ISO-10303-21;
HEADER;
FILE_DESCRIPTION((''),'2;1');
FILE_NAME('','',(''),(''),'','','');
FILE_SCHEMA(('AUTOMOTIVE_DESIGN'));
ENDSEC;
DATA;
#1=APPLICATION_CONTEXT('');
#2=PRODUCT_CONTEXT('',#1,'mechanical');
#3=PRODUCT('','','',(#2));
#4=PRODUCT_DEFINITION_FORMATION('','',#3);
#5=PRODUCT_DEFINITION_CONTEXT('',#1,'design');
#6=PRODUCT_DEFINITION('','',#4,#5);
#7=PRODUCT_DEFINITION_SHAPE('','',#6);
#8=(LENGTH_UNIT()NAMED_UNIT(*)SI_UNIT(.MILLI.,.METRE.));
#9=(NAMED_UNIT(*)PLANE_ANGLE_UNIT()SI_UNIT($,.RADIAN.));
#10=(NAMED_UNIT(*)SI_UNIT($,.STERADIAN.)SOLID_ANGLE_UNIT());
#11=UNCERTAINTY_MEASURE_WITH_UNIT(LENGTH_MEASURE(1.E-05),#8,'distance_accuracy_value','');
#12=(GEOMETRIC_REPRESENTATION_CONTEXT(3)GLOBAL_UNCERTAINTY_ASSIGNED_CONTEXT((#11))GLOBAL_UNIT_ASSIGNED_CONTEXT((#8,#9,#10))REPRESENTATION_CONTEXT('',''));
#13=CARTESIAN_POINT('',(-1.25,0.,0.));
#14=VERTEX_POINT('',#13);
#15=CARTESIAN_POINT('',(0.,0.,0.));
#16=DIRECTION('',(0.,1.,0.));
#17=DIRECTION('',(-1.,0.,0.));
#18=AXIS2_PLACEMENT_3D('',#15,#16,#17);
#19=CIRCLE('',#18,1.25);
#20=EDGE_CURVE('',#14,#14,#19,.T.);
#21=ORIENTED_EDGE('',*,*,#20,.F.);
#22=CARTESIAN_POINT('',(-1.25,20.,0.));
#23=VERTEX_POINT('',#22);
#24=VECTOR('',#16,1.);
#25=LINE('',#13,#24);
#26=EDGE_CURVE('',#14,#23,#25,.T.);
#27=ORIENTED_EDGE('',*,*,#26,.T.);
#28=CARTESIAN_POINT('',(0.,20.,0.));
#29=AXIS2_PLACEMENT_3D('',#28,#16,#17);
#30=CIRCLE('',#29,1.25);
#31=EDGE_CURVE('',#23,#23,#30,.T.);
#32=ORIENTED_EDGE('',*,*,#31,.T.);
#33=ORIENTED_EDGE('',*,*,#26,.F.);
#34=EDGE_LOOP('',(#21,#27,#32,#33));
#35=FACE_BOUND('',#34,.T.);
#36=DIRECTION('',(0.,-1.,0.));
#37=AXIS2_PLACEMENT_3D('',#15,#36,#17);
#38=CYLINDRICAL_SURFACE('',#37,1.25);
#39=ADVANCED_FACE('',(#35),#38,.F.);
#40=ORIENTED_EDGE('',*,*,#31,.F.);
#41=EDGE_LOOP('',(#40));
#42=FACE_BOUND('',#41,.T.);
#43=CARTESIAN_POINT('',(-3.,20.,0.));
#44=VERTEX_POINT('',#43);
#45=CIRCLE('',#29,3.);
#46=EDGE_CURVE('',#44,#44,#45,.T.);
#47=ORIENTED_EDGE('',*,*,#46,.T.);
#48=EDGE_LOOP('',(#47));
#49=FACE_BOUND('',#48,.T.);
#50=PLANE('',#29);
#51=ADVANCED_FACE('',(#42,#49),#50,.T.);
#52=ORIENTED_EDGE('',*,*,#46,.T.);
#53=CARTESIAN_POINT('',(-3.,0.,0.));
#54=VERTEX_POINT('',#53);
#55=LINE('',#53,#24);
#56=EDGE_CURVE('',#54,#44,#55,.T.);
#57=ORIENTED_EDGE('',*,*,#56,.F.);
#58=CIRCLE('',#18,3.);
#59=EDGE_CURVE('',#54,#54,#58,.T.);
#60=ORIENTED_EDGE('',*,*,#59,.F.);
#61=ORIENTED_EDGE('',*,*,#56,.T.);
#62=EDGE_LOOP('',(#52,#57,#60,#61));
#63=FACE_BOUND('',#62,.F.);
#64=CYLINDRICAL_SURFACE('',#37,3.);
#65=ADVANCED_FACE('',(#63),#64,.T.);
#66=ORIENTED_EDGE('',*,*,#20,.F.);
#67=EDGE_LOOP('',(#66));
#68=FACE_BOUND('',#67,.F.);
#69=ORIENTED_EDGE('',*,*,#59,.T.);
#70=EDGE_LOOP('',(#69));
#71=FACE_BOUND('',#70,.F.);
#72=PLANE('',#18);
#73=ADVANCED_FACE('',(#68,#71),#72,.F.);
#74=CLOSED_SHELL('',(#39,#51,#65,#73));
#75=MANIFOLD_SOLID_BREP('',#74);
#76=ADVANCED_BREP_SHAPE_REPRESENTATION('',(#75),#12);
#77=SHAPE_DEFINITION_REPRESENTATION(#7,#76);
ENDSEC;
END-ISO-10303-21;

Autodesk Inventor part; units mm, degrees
ref_plane "YZ Plane" through (0, 0, 0) normal (1, 0, 0) x (0, 1, 0)
ref_plane "XZ Plane" through (0, 0, 0) normal (0, 1, 0) x (-1, 0, 0)
ref_plane "XY Plane" through (0, 0, 0) normal (0, 0, 1) x (1, 0, 0)
sketch "Sketch1" plane through (0, 0, 0) normal (0, 1, 0) x (-1, 0, 0)
  circle A0 centre (0, 0) radius 3
  circle A1 centre (0, 0) radius 1.25
  dimension "d2" = 20
extrude "Extrusion1" add sketch "Sketch1" along normal blind 20
properties part number "column_if1"
